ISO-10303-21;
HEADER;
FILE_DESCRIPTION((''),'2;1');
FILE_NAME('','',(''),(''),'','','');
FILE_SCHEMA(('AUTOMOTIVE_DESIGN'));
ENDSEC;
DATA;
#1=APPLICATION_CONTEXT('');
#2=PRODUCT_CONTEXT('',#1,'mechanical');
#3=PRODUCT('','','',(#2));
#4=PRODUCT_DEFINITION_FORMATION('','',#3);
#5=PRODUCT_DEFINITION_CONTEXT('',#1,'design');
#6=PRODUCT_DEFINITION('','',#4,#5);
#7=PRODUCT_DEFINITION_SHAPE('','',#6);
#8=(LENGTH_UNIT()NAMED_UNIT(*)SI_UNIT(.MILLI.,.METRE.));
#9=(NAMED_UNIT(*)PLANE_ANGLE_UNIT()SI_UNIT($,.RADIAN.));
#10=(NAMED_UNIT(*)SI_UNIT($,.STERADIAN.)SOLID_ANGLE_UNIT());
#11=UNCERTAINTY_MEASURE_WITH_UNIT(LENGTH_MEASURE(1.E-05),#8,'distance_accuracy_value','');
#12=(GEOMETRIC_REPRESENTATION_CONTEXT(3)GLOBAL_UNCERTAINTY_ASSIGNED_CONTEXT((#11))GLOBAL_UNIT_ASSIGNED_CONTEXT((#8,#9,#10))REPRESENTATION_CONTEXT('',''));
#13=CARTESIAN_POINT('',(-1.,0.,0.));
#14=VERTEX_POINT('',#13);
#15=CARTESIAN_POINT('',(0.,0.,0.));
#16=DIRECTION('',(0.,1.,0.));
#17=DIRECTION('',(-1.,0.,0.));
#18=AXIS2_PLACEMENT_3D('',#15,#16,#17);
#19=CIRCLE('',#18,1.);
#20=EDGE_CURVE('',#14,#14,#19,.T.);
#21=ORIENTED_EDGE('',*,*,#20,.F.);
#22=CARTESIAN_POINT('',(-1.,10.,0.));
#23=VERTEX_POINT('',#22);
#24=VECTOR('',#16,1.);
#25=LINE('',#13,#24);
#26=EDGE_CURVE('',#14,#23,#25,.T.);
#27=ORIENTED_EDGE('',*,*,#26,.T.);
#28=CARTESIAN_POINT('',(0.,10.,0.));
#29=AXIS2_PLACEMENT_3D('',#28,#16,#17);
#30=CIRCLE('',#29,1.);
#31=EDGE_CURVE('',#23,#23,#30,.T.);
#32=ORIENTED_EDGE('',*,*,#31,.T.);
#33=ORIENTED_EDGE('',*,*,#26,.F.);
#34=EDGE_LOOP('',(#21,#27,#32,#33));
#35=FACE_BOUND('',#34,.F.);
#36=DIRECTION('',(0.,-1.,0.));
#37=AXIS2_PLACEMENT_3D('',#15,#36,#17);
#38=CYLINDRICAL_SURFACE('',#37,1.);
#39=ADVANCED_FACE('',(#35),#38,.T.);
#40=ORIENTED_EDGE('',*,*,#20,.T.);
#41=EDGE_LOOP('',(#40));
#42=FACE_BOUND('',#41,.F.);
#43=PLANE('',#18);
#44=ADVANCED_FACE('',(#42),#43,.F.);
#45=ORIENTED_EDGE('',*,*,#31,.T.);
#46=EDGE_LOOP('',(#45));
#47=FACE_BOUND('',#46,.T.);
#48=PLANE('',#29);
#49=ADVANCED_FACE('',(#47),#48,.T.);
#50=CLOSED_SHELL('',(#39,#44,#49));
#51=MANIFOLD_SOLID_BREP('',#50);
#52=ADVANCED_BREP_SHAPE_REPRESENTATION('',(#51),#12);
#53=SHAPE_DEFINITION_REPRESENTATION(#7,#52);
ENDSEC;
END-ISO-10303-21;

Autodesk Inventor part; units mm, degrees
ref_plane "YZ Plane" through (0, 0, 0) normal (1, 0, 0) x (0, 1, 0)
ref_plane "XZ Plane" through (0, 0, 0) normal (0, 1, 0) x (-1, 0, 0)
ref_plane "XY Plane" through (0, 0, 0) normal (0, 0, 1) x (1, 0, 0)
sketch "スケッチ1" plane through (0, 0, 0) normal (0, 1, 0) x (-1, 0, 0)
  circle A0 centre (0, 0) radius 1
  dimension "d0" = 2
extrude "押し出し1" add sketch "スケッチ1" along normal blind 10
properties part number "shaft_2_10" material "アルミニウム 6061"
